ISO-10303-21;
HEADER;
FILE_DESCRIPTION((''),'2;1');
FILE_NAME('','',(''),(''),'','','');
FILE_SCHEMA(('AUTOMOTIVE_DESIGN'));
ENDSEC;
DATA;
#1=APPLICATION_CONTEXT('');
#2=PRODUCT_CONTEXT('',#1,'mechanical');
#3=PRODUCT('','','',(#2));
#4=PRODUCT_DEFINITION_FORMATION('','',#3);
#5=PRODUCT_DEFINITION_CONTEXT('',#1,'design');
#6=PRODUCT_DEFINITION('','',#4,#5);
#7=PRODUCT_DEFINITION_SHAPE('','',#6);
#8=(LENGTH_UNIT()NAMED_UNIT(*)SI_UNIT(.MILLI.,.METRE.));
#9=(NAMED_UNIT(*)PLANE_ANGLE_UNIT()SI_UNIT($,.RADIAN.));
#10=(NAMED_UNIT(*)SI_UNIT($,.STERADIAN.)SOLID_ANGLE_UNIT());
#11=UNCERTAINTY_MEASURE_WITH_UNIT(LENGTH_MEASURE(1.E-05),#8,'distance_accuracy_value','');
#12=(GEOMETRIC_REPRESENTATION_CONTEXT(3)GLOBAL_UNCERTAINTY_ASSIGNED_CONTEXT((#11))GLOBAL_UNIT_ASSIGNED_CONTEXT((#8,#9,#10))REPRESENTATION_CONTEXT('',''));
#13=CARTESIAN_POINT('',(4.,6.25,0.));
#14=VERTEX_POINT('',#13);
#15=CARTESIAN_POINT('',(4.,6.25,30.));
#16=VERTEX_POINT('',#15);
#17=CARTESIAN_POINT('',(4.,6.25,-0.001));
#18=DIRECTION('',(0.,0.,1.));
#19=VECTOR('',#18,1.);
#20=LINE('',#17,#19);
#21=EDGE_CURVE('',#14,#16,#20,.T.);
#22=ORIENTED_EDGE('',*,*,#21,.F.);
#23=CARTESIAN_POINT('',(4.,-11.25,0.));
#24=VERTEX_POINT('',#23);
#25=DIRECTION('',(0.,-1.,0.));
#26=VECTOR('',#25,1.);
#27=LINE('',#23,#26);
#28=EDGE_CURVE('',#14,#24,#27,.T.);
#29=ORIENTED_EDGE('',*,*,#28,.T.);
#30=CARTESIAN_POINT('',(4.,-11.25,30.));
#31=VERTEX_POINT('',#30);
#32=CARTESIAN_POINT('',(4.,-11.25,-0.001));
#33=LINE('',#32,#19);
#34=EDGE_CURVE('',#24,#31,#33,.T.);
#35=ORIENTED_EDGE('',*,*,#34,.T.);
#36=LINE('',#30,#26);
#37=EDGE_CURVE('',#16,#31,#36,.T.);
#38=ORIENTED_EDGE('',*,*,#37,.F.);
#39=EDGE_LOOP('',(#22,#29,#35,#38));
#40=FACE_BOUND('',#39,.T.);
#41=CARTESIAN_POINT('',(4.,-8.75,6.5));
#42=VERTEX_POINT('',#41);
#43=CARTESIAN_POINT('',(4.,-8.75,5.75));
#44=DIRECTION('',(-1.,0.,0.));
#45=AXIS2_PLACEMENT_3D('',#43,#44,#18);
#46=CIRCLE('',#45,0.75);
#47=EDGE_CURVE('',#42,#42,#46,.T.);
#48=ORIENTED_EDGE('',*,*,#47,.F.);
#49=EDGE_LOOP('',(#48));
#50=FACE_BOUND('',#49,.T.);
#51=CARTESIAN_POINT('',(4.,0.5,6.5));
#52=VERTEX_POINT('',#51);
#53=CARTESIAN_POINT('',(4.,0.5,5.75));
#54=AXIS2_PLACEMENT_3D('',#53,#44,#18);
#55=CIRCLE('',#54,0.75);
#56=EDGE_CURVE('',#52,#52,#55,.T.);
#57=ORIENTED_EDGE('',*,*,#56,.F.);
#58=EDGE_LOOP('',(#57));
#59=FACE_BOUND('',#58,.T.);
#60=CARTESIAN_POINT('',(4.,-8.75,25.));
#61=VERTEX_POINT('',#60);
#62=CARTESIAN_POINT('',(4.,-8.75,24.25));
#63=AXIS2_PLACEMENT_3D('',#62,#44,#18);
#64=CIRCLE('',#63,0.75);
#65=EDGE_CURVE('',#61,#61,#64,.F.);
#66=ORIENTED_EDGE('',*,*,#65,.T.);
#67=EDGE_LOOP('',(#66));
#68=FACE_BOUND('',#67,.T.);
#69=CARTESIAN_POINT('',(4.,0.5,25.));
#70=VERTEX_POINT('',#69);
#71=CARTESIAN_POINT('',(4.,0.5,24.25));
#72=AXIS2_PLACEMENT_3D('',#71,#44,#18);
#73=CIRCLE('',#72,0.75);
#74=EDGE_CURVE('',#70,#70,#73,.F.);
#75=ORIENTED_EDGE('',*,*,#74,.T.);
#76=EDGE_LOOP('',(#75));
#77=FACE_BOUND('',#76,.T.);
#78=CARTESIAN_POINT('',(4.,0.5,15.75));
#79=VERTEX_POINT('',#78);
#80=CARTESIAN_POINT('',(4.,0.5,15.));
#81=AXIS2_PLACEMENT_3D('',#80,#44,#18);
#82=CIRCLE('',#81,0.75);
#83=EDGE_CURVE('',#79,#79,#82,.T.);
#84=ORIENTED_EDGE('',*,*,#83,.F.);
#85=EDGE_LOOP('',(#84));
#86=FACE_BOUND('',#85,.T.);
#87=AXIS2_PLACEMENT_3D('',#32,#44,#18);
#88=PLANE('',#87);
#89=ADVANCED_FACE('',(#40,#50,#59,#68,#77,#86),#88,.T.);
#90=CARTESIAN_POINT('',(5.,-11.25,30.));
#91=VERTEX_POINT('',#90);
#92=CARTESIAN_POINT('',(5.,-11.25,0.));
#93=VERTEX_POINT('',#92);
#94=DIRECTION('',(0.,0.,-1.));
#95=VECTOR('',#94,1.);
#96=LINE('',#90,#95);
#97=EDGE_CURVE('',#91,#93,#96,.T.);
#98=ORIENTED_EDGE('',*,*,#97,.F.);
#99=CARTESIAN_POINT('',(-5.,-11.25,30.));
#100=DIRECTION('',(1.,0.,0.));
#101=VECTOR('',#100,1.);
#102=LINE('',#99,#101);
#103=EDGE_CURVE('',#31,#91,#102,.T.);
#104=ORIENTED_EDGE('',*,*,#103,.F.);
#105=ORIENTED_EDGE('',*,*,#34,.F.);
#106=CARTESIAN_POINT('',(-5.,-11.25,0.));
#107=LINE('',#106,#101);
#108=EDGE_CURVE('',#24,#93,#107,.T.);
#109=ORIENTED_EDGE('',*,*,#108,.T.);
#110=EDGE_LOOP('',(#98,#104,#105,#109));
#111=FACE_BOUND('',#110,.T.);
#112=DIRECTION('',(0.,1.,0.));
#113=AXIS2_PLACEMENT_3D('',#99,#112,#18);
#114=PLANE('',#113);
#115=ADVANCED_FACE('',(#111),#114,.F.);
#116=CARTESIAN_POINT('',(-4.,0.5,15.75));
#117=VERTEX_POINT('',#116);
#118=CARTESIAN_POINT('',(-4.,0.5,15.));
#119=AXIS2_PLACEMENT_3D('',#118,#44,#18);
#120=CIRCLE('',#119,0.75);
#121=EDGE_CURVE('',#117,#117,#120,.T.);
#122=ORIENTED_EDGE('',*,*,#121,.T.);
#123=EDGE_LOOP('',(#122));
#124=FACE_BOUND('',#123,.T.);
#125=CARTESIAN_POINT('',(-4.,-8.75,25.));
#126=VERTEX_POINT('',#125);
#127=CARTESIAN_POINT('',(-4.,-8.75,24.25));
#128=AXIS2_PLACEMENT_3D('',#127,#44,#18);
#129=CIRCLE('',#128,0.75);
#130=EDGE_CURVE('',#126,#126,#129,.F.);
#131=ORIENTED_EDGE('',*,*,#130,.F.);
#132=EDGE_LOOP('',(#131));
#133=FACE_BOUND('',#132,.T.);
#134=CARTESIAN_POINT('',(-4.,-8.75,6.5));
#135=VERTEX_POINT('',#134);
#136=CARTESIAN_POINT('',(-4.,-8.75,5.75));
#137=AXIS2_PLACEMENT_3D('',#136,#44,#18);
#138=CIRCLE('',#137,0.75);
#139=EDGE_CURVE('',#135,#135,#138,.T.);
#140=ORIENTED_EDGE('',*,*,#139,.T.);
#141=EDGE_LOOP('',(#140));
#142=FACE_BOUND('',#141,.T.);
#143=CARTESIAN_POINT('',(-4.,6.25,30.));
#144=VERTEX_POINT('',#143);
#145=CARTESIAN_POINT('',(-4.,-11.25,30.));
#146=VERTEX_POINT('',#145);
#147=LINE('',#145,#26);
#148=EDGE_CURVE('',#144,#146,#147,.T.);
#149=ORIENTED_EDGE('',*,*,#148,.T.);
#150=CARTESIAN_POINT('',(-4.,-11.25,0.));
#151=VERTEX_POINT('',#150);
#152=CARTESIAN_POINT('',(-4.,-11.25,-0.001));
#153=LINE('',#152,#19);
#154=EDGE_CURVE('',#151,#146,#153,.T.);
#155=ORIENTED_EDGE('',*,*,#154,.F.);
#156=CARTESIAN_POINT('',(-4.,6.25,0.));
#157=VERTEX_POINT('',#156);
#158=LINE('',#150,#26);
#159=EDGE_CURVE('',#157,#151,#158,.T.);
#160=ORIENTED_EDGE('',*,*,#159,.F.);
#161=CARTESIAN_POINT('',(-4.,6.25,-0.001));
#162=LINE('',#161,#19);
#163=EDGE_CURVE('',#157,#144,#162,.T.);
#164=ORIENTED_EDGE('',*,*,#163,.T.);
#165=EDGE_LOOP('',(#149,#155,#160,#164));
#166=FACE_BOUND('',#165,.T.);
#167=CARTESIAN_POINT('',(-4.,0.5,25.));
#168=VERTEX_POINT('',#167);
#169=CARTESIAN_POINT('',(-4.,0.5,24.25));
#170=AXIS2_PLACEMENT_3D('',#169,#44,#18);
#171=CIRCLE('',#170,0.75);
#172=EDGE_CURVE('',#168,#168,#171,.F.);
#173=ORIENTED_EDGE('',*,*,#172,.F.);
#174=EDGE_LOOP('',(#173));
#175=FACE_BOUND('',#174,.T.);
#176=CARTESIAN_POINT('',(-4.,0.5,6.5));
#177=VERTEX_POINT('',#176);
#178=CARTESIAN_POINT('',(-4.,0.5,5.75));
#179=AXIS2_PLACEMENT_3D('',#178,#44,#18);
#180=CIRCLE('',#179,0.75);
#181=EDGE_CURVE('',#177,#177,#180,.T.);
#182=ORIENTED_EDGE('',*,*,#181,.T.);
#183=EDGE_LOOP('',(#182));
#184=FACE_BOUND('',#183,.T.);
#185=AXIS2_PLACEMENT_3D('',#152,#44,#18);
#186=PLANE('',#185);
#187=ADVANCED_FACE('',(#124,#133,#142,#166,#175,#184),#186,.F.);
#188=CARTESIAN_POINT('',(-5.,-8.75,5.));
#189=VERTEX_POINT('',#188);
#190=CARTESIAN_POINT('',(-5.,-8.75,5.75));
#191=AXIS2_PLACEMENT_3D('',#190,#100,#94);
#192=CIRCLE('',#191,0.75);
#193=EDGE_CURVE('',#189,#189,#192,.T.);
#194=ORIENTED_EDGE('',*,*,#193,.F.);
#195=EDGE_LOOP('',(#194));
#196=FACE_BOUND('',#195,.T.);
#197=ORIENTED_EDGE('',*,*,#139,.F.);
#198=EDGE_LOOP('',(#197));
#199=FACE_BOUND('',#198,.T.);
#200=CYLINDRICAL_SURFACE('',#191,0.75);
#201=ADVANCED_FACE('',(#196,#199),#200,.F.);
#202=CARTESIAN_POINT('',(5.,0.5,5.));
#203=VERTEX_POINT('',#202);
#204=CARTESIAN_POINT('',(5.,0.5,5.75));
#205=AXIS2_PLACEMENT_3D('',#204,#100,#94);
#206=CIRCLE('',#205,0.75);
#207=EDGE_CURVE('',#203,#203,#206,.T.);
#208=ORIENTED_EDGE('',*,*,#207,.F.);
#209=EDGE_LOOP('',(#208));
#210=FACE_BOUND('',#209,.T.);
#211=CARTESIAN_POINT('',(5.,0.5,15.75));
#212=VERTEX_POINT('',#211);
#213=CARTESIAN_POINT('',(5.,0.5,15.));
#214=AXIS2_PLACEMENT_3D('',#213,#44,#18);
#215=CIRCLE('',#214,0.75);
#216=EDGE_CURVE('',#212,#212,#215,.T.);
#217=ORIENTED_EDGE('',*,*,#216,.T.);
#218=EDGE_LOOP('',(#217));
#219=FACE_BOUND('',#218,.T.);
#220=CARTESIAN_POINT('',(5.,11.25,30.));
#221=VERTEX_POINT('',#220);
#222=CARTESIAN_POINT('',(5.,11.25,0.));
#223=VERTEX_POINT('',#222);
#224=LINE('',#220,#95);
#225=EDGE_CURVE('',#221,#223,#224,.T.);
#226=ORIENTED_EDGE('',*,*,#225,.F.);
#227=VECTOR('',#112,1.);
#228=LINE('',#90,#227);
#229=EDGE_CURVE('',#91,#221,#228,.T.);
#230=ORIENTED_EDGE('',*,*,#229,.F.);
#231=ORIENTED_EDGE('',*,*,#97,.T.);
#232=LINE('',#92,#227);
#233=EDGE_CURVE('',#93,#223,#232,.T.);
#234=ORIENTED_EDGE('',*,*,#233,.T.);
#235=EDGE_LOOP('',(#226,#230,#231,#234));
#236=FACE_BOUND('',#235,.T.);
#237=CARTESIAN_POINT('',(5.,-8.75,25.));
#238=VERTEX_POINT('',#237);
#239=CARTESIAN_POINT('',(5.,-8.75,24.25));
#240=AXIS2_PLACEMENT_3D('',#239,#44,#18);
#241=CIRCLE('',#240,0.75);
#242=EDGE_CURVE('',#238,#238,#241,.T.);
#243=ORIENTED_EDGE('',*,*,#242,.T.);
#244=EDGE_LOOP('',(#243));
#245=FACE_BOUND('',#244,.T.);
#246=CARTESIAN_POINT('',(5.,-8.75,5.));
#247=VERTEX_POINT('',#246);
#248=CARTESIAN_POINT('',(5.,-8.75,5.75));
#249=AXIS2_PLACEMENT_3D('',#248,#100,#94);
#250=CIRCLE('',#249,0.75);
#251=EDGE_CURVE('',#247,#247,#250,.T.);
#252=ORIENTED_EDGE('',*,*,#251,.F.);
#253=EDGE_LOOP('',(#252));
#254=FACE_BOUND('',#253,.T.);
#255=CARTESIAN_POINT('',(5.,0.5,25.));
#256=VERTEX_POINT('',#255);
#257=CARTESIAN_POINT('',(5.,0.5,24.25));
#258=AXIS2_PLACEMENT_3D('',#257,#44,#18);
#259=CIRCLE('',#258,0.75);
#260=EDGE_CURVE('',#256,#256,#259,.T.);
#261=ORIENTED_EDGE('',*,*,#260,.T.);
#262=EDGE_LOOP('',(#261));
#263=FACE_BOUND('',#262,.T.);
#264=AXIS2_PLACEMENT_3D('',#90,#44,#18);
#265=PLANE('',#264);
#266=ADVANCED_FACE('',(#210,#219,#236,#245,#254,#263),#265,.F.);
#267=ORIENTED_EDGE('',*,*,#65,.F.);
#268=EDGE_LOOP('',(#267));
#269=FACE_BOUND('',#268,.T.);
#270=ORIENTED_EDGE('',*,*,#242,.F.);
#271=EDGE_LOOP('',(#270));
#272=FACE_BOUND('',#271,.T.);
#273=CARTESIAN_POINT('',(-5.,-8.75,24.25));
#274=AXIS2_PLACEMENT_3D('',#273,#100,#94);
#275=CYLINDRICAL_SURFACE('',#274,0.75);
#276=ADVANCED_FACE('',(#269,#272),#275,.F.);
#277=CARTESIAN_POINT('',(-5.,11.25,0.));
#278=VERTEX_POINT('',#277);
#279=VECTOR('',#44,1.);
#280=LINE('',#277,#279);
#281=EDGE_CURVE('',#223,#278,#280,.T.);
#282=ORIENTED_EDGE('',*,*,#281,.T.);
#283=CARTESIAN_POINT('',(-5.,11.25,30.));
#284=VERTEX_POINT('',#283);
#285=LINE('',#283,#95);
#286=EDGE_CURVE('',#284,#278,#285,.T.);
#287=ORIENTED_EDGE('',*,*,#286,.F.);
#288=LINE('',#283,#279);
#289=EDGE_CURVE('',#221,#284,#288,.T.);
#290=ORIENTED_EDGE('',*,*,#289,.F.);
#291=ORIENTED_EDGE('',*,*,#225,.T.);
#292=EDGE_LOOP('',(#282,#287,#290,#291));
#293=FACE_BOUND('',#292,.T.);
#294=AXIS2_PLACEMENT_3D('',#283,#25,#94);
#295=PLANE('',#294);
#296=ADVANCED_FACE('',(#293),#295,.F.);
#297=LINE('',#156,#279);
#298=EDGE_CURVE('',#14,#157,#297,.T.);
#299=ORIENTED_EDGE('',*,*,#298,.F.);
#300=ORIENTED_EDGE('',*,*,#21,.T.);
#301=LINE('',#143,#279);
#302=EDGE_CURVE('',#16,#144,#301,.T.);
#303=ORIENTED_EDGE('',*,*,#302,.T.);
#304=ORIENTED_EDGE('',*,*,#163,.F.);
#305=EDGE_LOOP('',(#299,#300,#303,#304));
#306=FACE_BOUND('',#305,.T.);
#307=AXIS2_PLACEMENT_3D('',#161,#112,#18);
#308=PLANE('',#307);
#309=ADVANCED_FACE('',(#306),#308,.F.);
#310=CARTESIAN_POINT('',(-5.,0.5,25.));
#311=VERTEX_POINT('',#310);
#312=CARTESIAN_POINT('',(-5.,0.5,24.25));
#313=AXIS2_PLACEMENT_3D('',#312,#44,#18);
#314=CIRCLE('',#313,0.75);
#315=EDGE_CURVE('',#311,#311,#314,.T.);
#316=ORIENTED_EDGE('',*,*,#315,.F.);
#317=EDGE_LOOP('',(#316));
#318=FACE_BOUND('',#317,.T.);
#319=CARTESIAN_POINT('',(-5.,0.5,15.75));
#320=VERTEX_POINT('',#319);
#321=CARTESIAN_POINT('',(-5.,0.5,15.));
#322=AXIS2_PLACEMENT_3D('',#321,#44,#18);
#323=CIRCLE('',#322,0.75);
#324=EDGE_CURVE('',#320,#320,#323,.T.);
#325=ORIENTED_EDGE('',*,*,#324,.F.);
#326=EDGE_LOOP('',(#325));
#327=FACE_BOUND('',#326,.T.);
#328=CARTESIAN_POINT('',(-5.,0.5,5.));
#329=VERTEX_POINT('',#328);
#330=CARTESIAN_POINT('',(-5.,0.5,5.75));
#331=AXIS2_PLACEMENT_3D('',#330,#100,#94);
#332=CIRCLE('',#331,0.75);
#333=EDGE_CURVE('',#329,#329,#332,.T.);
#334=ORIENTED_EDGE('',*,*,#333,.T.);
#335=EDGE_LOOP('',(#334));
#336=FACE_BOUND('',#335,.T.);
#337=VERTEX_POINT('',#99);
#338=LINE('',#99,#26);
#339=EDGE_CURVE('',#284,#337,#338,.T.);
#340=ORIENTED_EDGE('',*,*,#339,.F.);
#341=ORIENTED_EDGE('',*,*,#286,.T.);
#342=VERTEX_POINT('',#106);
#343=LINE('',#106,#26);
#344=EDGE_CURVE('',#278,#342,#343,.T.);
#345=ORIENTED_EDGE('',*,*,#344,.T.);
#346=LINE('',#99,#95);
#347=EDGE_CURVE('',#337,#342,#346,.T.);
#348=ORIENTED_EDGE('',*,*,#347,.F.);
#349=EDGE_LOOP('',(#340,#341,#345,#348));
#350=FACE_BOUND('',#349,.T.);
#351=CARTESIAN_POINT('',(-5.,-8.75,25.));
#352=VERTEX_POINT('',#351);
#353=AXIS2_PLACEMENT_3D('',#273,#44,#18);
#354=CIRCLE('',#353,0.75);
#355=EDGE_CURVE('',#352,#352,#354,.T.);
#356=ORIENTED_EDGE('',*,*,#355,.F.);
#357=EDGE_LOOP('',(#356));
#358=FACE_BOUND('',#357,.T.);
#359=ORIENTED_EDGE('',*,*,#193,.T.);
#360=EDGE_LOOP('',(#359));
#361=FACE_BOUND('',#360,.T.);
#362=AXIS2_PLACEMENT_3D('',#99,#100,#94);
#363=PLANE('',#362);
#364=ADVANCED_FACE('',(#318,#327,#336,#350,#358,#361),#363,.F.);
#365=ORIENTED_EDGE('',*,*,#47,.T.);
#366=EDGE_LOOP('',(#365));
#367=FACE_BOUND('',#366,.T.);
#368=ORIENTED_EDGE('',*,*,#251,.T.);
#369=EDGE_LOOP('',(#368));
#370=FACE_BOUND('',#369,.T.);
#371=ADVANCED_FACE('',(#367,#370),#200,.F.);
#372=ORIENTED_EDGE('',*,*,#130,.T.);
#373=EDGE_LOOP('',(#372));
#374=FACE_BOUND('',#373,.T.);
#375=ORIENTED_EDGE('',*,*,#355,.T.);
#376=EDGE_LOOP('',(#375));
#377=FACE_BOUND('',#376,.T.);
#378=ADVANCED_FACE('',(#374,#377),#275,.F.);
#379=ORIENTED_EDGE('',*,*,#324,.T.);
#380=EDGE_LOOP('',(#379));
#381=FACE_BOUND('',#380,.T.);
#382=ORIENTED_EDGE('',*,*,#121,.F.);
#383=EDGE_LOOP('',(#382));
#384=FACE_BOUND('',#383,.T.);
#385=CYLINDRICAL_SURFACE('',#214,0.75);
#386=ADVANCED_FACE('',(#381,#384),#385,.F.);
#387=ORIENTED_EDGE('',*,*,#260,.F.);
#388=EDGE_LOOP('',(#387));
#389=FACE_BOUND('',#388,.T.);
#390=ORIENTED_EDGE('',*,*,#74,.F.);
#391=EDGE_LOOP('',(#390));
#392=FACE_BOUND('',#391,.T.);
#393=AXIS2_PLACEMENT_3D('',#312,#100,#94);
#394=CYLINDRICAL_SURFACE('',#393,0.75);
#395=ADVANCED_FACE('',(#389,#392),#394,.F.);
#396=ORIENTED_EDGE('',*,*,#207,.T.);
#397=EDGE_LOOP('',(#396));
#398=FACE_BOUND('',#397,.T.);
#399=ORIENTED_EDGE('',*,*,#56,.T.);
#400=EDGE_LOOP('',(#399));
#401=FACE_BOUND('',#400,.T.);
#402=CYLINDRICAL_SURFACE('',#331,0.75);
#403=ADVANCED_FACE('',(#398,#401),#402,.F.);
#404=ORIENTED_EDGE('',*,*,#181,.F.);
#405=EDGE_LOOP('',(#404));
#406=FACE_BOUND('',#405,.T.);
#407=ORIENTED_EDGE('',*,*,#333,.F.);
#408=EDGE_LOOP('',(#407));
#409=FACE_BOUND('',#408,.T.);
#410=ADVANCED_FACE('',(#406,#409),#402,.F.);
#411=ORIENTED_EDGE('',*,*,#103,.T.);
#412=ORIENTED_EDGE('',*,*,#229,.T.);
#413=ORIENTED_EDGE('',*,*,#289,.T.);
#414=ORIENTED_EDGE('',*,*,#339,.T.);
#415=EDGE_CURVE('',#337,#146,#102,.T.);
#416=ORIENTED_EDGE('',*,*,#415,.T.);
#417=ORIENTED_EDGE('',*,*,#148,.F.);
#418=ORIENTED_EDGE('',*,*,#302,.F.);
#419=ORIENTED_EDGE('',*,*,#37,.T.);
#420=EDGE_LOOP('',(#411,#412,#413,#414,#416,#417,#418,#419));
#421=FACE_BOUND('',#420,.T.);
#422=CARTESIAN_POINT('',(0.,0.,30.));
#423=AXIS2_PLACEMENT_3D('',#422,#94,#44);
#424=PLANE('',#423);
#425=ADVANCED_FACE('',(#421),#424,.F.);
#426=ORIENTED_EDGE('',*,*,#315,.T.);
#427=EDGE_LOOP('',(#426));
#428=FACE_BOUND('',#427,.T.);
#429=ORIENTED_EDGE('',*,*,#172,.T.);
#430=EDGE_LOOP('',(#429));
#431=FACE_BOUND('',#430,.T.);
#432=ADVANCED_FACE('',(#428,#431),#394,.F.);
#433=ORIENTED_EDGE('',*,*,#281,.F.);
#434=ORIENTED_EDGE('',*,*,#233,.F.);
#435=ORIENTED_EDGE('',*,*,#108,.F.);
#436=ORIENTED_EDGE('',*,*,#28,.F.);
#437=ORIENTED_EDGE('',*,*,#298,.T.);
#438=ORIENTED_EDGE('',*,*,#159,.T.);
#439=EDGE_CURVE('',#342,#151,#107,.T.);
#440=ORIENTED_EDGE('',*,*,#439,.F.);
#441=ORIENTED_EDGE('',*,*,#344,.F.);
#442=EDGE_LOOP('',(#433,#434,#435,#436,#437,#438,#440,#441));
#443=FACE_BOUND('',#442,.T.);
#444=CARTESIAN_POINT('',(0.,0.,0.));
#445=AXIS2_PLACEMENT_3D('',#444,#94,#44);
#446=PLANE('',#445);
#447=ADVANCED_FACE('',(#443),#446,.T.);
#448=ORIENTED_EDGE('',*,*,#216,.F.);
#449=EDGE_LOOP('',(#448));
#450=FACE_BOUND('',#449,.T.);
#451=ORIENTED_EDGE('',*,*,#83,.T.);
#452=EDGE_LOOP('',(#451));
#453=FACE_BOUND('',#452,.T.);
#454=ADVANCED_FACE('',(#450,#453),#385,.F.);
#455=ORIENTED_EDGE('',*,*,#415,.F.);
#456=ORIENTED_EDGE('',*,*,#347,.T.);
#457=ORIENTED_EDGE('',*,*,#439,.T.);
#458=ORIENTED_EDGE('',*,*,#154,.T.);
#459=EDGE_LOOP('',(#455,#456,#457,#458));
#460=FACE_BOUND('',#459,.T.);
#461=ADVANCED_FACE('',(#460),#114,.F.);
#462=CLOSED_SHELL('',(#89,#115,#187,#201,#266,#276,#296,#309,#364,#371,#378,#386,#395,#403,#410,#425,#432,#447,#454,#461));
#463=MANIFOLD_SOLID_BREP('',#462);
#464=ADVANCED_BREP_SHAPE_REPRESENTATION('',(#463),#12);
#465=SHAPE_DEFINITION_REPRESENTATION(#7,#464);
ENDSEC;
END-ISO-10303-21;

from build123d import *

# Parameters (mm, degrees)
SKETCH1_W           = 10
SKETCH1_H           = 22.5
BOSS_EXTRUDE1_DEPTH = 30
CUT_EXTRUDE1_REACH  = 34.428
SKETCH2_W           = 4
SKETCH2_H           = 17.5
SKETCH3_R           = 0.75
CUT_EXTRUDE2_DEPTH  = 34.564303955
SKETCH4_R           = 0.75
CUT_EXTRUDE3_DEPTH  = 34.564303955


with BuildPart() as part:
    # Sketch1 → Boss-Extrude1 (new body)
    with BuildSketch(Plane.XY):
        Rectangle(SKETCH1_W, SKETCH1_H)
    extrude(amount=BOSS_EXTRUDE1_DEPTH)

    # Sketch2 → Cut-Extrude1 (cut, up to next)
    with BuildSketch(Plane.XY.offset(30), mode=Mode.PRIVATE) as cut_extrude1_sk1:
        with Locations((-2, -2.5)):
            Rectangle(SKETCH2_W, SKETCH2_H)
    cut_extrude1_tool1 = extrude(cut_extrude1_sk1.sketch, amount=-CUT_EXTRUDE1_REACH, mode=Mode.PRIVATE) & part.part
    cut_extrude1 = cut_extrude1_tool1.solids().sort_by_distance((-2, -2.5, 30))[0]
    add(cut_extrude1, mode=Mode.SUBTRACT)

    # Mirror1: Cut-Extrude1 across plane
    add(cut_extrude1.mirror(Plane(origin=(0, 0, 0), x_dir=(0, 0, 1), z_dir=(1, 0, 0))), mode=Mode.SUBTRACT)

    # Sketch3 → Cut-Extrude2 (cut, through all)
    with BuildSketch(Plane(origin=(5, 0, 0), x_dir=(0, 0, -1), z_dir=(1, 0, 0))):
        with Locations((-5.75, -8.75)):
            Circle(SKETCH3_R)
        with Locations((-5.75, 0.5)):
            Circle(SKETCH3_R)
    cut_extrude2 = extrude(amount=-CUT_EXTRUDE2_DEPTH, mode=Mode.SUBTRACT)

    # Mirror2: Cut-Extrude2 across plane
    add(cut_extrude2.mirror(Plane.XY.offset(15)), mode=Mode.SUBTRACT)

    # Sketch4 → Cut-Extrude3 (cut, through all)
    with BuildSketch(Plane.ZY.offset(5)):
        with Locations((15, 0.5)):
            Circle(SKETCH4_R)
    extrude(amount=-CUT_EXTRUDE3_DEPTH, mode=Mode.SUBTRACT)


solid = part.part
